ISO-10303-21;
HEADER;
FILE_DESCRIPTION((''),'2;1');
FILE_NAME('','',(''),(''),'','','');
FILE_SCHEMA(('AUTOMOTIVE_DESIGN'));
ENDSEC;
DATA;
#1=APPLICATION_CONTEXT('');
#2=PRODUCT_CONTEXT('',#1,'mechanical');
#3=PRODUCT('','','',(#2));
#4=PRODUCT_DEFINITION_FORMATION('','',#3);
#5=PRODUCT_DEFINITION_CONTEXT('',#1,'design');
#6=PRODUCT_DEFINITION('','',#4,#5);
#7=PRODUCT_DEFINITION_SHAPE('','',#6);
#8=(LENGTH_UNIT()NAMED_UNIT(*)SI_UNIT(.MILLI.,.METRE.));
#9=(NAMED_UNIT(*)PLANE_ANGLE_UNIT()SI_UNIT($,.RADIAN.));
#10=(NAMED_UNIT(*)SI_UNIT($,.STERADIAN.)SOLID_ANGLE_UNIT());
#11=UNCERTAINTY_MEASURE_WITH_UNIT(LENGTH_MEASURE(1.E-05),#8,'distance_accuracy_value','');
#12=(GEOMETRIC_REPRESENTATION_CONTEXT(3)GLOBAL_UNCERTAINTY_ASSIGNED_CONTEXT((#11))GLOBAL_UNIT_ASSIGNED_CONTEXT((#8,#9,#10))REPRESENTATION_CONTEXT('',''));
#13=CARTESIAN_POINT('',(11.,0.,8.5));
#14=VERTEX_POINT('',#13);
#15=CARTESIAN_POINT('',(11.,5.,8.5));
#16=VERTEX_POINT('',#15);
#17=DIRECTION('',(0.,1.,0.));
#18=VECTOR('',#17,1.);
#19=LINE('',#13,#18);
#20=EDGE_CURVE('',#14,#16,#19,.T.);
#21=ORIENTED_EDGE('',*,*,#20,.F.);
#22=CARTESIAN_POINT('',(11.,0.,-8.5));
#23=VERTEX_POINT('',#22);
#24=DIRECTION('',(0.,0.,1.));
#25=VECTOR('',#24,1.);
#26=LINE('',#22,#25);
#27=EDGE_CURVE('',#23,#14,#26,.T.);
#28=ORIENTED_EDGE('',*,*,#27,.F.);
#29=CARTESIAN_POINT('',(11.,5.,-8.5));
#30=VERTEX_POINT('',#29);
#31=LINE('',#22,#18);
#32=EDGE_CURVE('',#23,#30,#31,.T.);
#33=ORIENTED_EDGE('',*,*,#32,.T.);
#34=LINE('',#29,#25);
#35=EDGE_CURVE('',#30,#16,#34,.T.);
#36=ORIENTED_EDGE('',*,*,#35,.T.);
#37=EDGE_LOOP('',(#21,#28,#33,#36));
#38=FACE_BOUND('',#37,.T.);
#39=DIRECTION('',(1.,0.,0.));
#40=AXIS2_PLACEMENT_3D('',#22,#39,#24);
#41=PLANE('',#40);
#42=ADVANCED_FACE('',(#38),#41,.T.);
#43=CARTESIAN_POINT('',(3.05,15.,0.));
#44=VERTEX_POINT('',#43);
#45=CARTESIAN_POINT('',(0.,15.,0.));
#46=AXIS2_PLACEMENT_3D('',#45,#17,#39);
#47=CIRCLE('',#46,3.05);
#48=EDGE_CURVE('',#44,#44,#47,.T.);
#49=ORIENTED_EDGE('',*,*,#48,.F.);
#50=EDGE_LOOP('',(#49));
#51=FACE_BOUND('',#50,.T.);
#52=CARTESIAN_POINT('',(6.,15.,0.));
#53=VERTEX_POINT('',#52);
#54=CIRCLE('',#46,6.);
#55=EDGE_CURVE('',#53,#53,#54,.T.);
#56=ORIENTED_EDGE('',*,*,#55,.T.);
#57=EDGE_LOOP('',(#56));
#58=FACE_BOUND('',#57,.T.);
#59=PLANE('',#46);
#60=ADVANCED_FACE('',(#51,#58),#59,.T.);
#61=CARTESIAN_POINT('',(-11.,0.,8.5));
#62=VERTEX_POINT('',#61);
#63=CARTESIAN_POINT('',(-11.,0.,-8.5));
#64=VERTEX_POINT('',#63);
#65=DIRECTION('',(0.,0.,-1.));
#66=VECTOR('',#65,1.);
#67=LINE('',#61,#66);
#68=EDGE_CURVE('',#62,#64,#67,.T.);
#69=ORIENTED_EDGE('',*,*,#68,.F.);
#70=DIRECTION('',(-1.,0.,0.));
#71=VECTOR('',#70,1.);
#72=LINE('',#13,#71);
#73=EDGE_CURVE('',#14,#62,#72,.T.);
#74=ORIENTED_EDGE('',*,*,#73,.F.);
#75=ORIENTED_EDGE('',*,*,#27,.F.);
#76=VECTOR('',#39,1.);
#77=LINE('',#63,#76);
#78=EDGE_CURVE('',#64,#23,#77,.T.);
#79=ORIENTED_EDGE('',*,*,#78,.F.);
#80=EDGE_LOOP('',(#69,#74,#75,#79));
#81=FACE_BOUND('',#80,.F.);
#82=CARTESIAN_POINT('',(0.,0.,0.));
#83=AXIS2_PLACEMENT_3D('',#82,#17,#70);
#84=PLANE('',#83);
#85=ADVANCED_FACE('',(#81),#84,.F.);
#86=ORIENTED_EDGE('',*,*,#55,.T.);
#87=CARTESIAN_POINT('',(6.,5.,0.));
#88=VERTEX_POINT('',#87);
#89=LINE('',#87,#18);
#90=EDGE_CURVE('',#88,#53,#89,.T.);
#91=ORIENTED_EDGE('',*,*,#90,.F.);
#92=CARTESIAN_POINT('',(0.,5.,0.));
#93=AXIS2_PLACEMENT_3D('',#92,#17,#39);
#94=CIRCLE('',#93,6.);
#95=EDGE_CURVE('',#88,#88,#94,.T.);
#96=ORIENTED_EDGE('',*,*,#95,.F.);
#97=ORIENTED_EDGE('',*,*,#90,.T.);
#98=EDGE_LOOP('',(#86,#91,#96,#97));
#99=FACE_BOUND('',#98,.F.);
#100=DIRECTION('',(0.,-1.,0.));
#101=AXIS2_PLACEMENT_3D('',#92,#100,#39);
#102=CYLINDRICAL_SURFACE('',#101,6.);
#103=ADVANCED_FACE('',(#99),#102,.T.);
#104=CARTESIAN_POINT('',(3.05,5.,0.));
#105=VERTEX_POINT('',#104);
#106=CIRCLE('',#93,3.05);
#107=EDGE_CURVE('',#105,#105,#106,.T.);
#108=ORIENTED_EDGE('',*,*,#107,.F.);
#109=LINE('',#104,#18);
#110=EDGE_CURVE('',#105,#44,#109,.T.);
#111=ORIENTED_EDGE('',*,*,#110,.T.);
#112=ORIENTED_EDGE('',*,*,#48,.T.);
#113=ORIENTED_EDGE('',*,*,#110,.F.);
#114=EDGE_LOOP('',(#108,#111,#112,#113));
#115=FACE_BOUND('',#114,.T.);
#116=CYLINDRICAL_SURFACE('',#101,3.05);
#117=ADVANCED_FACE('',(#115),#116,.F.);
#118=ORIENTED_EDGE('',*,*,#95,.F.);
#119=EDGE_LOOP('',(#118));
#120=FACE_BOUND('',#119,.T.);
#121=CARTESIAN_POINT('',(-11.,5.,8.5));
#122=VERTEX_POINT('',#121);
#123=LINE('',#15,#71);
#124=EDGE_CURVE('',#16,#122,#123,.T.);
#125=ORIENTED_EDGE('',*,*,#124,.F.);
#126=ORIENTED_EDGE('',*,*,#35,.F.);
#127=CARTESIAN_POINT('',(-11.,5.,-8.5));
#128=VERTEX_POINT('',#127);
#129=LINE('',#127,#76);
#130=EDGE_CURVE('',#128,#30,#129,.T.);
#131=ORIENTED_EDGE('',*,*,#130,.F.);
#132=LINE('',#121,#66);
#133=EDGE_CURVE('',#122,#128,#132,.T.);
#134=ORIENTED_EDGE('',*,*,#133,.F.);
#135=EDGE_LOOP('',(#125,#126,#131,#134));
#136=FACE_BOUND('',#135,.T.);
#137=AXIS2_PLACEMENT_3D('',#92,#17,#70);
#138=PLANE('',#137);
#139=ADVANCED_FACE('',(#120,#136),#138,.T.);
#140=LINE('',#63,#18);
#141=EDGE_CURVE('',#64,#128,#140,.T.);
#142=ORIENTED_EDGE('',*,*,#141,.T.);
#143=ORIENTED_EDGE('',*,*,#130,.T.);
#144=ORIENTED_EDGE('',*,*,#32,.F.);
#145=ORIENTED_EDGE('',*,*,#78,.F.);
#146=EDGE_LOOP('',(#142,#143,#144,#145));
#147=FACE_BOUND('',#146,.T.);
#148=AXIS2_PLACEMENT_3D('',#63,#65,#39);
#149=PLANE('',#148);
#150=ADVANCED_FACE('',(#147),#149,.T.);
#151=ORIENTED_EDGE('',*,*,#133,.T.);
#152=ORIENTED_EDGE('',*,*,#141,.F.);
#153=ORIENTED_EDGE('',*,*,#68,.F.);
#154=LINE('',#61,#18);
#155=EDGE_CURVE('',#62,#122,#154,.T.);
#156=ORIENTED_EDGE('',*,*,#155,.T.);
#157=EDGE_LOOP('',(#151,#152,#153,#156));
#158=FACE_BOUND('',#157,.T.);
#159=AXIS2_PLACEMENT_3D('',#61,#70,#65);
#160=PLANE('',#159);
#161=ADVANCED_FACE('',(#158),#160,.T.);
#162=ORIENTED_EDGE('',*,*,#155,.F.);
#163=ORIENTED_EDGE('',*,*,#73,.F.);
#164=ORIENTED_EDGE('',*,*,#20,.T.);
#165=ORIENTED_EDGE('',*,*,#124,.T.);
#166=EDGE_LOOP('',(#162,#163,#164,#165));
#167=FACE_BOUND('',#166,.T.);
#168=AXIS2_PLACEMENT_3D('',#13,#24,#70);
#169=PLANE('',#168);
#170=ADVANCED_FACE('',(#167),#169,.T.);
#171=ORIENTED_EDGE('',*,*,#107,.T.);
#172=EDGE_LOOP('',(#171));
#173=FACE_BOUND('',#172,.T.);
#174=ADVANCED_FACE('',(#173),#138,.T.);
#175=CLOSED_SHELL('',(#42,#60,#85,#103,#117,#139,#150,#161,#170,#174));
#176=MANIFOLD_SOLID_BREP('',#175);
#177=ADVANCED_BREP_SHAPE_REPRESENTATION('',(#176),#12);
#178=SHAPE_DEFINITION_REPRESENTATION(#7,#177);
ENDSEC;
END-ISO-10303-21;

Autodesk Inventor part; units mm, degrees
ref_plane "YZ Plane" through (0, 0, 0) normal (1, 0, 0) x (0, 1, 0)
ref_plane "XZ Plane" through (0, 0, 0) normal (0, 1, 0) x (-1, 0, 0)
ref_plane "XY Plane" through (0, 0, 0) normal (0, 0, 1) x (1, 0, 0)
sketch "Sketch1" plane through (0, 0, 0) normal (0, 1, 0) x (-1, 0, 0)
  line L0 (11, -8.5) -> (-11, -8.5)
  line L1 (-11, -8.5) -> (-11, 8.5)
  line L2 (-11, 8.5) -> (11, 8.5)
  line L3 (11, 8.5) -> (11, -8.5)
  line L4 (11, -8.5) -> (-11, 8.5) construction
  line L5 (-11, -8.5) -> (11, 8.5) construction
  point P0 (0, 0)
  dimension "d0" = 22
  dimension "d1" = 17
extrude "Extrusion1" add sketch "Sketch1" along normal blind 5
sketch "Sketch2" plane through (0, 5, 0) normal (0, 1, 0) x (1, 0, 0)
  circle A0 centre (0, 0) radius 6
  circle A1 centre (0, 0) radius 3.05
  dimension "d4" = 12
  dimension "d5" = 6.1
extrude "Extrusion2" add sketch "Sketch2" along normal blind 10
properties part number "imusupport"
